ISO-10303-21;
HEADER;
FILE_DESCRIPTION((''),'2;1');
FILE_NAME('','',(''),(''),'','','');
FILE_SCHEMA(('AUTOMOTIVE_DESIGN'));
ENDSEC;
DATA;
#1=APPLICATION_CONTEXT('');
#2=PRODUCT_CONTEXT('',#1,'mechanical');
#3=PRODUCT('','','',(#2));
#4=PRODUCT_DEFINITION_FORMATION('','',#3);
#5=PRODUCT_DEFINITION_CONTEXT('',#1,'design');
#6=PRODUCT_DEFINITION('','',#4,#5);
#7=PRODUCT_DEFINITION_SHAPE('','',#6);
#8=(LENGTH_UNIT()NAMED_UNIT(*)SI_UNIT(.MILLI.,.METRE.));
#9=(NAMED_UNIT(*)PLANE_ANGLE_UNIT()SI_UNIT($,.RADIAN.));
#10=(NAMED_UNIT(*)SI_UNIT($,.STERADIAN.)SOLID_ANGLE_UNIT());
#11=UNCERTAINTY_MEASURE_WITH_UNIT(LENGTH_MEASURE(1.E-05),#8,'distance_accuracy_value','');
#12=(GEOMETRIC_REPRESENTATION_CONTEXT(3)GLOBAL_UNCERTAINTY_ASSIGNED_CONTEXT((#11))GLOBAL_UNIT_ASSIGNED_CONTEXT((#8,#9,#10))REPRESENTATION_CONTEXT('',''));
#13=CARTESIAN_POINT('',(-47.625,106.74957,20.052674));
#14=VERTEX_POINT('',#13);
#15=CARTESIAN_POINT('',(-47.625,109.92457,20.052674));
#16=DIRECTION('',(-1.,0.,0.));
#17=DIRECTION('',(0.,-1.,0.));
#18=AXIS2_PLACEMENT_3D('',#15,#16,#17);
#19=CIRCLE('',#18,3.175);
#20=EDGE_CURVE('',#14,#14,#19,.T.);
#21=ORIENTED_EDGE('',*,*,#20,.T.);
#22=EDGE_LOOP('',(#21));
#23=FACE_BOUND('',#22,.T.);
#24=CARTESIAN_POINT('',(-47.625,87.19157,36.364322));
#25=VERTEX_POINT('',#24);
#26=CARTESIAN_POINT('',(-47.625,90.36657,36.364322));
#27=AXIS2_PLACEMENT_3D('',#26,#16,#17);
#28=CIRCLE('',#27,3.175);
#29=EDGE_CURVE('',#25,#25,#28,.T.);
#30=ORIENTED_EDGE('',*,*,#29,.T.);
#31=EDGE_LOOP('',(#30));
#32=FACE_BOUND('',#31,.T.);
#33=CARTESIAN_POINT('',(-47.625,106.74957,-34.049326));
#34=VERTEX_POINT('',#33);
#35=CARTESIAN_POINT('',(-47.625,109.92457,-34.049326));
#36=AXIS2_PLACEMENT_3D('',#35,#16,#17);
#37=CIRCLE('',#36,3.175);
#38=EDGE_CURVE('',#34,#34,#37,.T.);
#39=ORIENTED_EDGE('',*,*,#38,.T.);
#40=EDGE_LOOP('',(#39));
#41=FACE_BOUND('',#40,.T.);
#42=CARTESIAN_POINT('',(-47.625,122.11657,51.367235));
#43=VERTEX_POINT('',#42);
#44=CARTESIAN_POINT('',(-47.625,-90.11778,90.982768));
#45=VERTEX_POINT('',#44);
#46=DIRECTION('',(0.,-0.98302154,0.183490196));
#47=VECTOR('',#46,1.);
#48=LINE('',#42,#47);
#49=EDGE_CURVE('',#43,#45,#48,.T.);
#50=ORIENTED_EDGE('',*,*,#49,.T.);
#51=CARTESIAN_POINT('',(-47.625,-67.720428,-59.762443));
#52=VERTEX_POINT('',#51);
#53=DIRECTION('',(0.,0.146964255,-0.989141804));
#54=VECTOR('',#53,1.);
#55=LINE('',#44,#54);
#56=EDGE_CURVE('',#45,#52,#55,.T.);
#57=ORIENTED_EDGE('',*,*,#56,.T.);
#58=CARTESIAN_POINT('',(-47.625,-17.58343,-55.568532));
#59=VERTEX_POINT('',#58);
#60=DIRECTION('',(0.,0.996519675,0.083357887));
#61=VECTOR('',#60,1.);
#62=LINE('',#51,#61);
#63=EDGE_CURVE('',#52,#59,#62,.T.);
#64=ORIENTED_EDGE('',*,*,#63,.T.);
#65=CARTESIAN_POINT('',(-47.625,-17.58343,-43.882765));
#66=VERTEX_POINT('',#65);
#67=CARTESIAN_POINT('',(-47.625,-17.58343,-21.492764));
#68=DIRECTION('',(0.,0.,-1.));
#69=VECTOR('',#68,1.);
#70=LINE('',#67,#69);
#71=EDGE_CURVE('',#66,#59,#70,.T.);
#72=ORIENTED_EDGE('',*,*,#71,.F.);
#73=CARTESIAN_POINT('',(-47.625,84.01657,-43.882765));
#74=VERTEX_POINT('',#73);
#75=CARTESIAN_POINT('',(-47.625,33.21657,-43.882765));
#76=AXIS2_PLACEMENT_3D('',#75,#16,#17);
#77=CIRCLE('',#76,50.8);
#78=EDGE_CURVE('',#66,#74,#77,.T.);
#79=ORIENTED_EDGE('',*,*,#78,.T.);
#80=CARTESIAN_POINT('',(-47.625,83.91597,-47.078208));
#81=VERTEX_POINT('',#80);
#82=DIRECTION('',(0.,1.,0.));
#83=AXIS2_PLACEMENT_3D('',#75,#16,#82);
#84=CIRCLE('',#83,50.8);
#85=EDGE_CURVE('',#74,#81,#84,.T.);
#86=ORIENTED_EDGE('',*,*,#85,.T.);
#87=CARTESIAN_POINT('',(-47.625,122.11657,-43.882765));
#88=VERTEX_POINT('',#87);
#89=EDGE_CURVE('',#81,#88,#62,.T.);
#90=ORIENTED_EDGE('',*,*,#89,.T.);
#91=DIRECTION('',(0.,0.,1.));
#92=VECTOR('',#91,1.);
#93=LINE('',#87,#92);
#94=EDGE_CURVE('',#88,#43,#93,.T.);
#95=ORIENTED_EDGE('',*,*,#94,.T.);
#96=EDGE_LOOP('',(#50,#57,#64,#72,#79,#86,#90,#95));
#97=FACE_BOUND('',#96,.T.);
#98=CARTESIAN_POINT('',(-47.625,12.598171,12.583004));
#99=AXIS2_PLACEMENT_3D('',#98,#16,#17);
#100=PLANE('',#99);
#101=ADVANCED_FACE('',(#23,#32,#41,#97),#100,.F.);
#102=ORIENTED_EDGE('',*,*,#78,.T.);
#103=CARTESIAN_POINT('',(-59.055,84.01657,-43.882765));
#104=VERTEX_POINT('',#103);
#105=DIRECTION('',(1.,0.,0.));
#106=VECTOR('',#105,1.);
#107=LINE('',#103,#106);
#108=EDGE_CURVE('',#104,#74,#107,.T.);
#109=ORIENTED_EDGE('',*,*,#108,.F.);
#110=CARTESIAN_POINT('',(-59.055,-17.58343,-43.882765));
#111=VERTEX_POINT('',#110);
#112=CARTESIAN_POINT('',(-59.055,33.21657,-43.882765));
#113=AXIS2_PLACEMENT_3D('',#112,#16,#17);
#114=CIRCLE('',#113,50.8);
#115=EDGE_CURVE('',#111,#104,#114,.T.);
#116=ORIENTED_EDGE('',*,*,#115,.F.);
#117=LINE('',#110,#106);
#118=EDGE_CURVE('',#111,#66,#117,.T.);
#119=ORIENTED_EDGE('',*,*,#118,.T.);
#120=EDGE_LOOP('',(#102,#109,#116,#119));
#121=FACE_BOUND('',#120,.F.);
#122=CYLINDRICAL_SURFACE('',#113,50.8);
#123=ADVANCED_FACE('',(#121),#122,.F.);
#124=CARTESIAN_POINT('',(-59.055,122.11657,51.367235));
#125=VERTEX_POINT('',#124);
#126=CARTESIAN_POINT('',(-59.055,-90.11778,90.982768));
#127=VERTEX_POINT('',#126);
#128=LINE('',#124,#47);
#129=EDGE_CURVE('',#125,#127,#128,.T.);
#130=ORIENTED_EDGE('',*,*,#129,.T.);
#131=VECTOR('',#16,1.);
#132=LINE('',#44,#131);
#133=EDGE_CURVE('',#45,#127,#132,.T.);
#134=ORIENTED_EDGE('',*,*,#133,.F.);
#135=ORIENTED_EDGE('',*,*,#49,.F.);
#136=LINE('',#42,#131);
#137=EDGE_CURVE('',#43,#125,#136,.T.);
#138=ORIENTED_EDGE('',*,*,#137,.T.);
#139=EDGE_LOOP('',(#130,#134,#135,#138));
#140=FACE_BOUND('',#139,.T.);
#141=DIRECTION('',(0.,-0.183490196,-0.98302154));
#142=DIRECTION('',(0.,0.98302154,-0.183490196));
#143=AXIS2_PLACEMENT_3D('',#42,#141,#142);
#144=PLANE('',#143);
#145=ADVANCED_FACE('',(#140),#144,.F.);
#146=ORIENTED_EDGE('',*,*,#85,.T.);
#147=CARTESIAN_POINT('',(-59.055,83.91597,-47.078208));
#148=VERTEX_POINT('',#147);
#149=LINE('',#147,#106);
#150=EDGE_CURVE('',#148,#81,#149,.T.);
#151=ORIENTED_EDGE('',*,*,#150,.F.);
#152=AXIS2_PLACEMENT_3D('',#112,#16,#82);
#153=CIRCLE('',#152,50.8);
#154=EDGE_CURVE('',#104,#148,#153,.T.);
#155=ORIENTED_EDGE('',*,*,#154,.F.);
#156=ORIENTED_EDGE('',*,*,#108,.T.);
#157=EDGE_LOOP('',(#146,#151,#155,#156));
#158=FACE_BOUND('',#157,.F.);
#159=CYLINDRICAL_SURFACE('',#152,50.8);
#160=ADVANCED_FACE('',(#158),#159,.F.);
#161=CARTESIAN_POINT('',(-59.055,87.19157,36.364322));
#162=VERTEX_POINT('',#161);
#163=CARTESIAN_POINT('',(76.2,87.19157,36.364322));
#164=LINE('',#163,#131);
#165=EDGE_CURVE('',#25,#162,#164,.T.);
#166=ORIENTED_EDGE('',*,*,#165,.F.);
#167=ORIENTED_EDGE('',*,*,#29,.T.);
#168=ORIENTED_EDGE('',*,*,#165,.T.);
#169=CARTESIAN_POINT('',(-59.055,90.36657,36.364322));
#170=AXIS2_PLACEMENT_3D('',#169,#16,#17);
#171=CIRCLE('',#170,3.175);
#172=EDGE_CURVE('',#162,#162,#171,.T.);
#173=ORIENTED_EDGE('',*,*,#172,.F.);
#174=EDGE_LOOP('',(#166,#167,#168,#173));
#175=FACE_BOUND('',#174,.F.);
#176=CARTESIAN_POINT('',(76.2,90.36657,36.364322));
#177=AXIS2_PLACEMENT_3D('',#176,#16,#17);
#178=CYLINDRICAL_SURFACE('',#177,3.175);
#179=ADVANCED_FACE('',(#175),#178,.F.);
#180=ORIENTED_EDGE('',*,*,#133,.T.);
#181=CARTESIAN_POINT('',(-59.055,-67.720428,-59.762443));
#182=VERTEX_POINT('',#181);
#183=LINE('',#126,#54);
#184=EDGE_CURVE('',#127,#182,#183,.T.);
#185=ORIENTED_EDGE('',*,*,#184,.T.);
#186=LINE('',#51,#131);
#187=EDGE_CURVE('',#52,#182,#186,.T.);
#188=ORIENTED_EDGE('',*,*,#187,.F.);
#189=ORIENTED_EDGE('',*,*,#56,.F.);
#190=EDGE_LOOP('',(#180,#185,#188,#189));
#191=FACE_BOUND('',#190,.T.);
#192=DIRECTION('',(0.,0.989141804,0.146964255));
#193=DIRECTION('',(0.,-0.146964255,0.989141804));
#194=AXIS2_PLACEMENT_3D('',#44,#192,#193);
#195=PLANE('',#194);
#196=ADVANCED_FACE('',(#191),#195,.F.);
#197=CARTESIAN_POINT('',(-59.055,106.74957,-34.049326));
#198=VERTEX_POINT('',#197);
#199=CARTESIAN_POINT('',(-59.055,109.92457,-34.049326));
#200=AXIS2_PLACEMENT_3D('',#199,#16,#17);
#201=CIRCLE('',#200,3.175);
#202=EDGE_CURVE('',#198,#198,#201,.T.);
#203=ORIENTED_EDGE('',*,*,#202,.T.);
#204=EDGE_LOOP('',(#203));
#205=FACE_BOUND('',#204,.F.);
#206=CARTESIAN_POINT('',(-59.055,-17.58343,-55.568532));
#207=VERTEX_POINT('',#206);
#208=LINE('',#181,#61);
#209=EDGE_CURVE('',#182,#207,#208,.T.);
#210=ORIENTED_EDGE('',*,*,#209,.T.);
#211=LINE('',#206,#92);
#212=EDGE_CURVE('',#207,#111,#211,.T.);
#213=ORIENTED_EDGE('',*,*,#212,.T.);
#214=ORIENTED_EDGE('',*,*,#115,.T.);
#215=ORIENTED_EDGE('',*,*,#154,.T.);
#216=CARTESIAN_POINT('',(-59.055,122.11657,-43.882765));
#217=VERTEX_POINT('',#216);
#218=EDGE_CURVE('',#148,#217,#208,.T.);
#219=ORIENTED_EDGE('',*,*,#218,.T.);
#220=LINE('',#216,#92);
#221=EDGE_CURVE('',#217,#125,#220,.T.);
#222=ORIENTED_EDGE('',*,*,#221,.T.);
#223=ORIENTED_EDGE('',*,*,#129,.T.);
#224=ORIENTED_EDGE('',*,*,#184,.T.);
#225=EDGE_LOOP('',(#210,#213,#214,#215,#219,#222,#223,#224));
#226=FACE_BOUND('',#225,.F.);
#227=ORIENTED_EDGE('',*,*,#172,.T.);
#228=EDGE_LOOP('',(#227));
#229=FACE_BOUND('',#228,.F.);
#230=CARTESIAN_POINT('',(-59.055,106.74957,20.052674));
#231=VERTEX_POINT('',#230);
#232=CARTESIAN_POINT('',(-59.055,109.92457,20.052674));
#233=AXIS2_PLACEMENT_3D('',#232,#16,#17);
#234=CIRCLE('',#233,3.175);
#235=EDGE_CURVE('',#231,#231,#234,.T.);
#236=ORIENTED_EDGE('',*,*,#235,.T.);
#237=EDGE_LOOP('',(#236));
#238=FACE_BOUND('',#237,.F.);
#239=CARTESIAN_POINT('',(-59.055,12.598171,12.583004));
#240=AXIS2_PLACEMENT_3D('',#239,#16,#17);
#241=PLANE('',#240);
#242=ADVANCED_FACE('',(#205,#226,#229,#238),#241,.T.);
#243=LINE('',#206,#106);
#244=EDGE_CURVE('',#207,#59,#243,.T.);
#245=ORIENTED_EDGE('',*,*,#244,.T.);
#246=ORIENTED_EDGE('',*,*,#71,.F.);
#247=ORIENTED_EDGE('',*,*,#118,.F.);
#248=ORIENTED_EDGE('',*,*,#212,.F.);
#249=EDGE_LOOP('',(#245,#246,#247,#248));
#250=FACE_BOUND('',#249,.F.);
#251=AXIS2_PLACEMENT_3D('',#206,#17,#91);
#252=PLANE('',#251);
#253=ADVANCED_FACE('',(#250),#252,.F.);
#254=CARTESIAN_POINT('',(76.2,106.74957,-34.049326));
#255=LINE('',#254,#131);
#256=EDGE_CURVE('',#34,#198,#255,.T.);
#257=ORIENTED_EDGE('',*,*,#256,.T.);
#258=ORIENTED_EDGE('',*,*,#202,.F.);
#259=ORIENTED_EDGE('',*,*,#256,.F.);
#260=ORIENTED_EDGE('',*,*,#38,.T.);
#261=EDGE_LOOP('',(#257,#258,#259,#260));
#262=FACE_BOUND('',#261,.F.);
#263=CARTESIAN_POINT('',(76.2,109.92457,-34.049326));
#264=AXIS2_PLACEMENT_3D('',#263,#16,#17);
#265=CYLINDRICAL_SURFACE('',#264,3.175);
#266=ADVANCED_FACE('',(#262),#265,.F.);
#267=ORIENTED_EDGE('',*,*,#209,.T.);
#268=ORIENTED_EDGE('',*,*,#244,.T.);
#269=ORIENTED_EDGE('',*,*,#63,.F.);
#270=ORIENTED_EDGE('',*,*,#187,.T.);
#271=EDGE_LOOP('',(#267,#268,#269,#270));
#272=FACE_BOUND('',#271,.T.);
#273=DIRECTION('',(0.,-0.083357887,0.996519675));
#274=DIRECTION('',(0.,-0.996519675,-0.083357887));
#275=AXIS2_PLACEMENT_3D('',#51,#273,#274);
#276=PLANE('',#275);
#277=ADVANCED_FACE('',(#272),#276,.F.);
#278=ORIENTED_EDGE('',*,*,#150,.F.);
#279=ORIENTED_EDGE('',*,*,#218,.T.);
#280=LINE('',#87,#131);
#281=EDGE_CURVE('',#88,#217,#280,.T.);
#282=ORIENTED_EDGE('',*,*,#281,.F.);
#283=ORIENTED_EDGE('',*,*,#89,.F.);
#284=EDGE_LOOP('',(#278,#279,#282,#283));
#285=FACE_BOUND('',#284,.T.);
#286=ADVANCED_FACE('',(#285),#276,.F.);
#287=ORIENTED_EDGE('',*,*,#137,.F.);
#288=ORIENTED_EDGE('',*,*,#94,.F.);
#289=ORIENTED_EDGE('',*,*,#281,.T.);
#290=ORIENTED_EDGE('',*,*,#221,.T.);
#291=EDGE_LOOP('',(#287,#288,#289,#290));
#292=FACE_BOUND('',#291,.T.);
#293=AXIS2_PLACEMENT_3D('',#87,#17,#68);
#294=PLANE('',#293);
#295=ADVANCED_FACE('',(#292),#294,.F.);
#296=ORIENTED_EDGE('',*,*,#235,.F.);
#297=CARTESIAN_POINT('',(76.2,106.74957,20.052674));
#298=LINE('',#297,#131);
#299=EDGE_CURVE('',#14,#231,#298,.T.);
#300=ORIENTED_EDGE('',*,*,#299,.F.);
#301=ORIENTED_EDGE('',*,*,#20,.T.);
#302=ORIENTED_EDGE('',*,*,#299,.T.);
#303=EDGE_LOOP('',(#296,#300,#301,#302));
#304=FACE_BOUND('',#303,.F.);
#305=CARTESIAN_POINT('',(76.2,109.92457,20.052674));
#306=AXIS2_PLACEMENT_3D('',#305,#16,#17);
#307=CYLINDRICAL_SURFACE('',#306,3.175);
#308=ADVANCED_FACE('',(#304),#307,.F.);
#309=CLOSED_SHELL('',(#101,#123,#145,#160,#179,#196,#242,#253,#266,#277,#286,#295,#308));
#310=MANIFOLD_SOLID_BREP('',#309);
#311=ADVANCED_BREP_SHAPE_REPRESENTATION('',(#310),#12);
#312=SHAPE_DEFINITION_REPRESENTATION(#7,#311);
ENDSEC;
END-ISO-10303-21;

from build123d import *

# Parameters (mm, degrees)
F0_R      = 3.175
F1_DEPTH  = 11.43
F5_DEPTH  = 25.4
F6_D      = 6.35
F6_DEPTH  = 76.2
F6_TIP    = 1.9077324654
F7_D      = 6.35
F7_DEPTH  = 76.2
F7_TIP    = 1.9077324654
F8_D      = 6.35
F8_DEPTH  = 76.2
F8_TIP    = 1.9077324654
F9_D      = 6.35
F9_DEPTH  = 76.2
F9_TIP    = 1.9077324654
F11_DEPTH = 95.25


with BuildPart() as f1:
    # F0 (on Right) → F1 (new body)
    with BuildSketch(Plane.YZ):
        Polygon((122.1165703362, -43.8827651219), (122.1165703362, 51.3672348781), (-90.1177801321, 90.9827682114), (-67.7204277456, -59.7624426779), align=None)
        with Locations((109.9245703362, -34.0493256675)):
            Circle(F0_R, mode=Mode.SUBTRACT)
        with Locations((109.9245703362, 20.0526743325)):
            Circle(F0_R, mode=Mode.SUBTRACT)
        with Locations((90.3665703362, 36.3643222504)):
            Circle(F0_R, mode=Mode.SUBTRACT)
        with Locations((90.3665703362, 36.3643222504)):
            Circle(F0_R)
        with Locations((109.9245703362, 20.0526743325)):
            Circle(F0_R)
        with Locations((109.9245703362, -34.0493256675)):
            Circle(F0_R)
    extrude(amount=F1_DEPTH)


with BuildPart() as f1_1:
    # F2: moved
    add(f1.part.moved(Location((47.625, 0, 0))))


with BuildPart() as f3_1:
    # F3: instance of F1
    add(f1_1.part.mirror(Plane.YZ))

    # F4 (on face) → F5 (cut)
    with BuildSketch(Plane(origin=(-59.055, 0, 0), x_dir=(0, -1, 0), z_dir=(-1, 0, 0))):
        with BuildLine():
            ThreePointArc((17.5834296638, -43.8827651219), (-33.2165703362, 6.9172348781), (-84.0165703362, -43.8827651219))
            ThreePointArc((-84.0165703362, -43.8827651219), (-83.9914140751, -45.4812779607), (-83.9159702065, -47.0782076259))
            Line((-83.9159702065, -47.0782076259), (16.2473795848, -55.4567729935))
            ThreePointArc((16.2473795848, -55.4567729935), (17.2483117898, -49.7081983252), (17.5834296638, -43.8827651219))
        make_face()
        with BuildLine():
            Line((17.5834296638, -55.5685322642), (17.5834296638, -43.8827651219))
            ThreePointArc((17.5834296638, -43.8827651219), (17.2483117898, -49.7081983252), (16.2473795848, -55.4567729935))
            Line((16.2473795848, -55.4567729935), (17.5834296638, -55.5685322642))
        make_face()
    extrude(amount=-F5_DEPTH, mode=Mode.SUBTRACT)

    # F6
    with Locations(Plane.YZ):
        with Locations((90.3665703362, 36.3643222504)):
            Hole(F6_D / 2, depth=F6_DEPTH)
            with Locations((0, 0, -(F6_DEPTH + F6_TIP / 2))):  # 118° drill point
                Cone(0, F6_D / 2, F6_TIP, mode=Mode.SUBTRACT)

    # F7
    with Locations(Plane.YZ):
        with Locations((109.9245703362, 20.0526743325)):
            Hole(F7_D / 2, depth=F7_DEPTH)
            with Locations((0, 0, -(F7_DEPTH + F7_TIP / 2))):  # 118° drill point
                Cone(0, F7_D / 2, F7_TIP, mode=Mode.SUBTRACT)

    # F8
    with Locations(Plane.YZ):
        with Locations((109.9245703362, -34.0493256675)):
            Hole(F8_D / 2, depth=F8_DEPTH)
            with Locations((0, 0, -(F8_DEPTH + F8_TIP / 2))):  # 118° drill point
                Cone(0, F8_D / 2, F8_TIP, mode=Mode.SUBTRACT)


with BuildPart() as f1_2:
    add(f1_1.part)

    # F9
    with Locations(Plane(origin=(0, 0, 0), x_dir=(0, 1, 0), z_dir=(-1, 0, 0))):
        with Locations((90.3665703362, -36.3643222504)):
            Hole(F9_D / 2, depth=F9_DEPTH)
            with Locations((0, 0, -(F9_DEPTH + F9_TIP / 2))):  # 118° drill point
                Cone(0, F9_D / 2, F9_TIP, mode=Mode.SUBTRACT)


with BuildPart() as f11:
    # F10 (on face) → F11 (new body)
    with BuildSketch(Plane(origin=(47.625, 0, 0), x_dir=(0, -1, 0), z_dir=(-1, 0, 0))):
        with BuildLine():
            Line((46.0226261079, 141.3909337274), (55.0595276774, 113.1756901692))
            ThreePointArc((55.0595276774, 113.1756901692), (61.2467442889, 100.0992346093), (66.2609327925, 86.5296637591))
            Line((66.2609327925, 86.5296637591), (48.4415836851, 142.1656880364))
            Line((48.4415836851, 142.1656880364), (46.0226261079, 141.3909337274))
        make_face()
        with BuildLine():
            Line((55.0595276774, 113.1756901692), (63.7442887749, 86.0599085345))
            Line((63.7442887749, 86.0599085345), (66.2609327925, 86.5296637591))
            ThreePointArc((66.2609327925, 86.5296637591), (61.2467442889, 100.0992346093), (55.0595276774, 113.1756901692))
        make_face()
        with BuildLine():
            Line((63.7442887749, 86.0599085345), (63.7439748969, 86.0598499462))
            ThreePointArc((63.7439748969, 86.0598499462), (69.5928864987, 61.5174094181), (71.5584296638, 36.3643222504))
            ThreePointArc((71.5584296638, 36.3643222504), (66.8411203346, -2.4357759317), (52.9640480804, -38.9751723676))
            Line((52.9640480804, -38.9751723676), (55.2290606215, -40.1252095237))
            ThreePointArc((55.2290606215, -40.1252095237), (69.3114207434, -3.0269888444), (74.0984296638, 36.3643222504))
            ThreePointArc((74.0984296638, 36.3643222504), (72.1272426646, 61.7512669557), (66.2609327925, 86.5296637591))
            Line((66.2609327925, 86.5296637591), (63.7442887749, 86.0599085345))
        make_face()
    extrude(amount=F11_DEPTH)


solid = f3_1.part
